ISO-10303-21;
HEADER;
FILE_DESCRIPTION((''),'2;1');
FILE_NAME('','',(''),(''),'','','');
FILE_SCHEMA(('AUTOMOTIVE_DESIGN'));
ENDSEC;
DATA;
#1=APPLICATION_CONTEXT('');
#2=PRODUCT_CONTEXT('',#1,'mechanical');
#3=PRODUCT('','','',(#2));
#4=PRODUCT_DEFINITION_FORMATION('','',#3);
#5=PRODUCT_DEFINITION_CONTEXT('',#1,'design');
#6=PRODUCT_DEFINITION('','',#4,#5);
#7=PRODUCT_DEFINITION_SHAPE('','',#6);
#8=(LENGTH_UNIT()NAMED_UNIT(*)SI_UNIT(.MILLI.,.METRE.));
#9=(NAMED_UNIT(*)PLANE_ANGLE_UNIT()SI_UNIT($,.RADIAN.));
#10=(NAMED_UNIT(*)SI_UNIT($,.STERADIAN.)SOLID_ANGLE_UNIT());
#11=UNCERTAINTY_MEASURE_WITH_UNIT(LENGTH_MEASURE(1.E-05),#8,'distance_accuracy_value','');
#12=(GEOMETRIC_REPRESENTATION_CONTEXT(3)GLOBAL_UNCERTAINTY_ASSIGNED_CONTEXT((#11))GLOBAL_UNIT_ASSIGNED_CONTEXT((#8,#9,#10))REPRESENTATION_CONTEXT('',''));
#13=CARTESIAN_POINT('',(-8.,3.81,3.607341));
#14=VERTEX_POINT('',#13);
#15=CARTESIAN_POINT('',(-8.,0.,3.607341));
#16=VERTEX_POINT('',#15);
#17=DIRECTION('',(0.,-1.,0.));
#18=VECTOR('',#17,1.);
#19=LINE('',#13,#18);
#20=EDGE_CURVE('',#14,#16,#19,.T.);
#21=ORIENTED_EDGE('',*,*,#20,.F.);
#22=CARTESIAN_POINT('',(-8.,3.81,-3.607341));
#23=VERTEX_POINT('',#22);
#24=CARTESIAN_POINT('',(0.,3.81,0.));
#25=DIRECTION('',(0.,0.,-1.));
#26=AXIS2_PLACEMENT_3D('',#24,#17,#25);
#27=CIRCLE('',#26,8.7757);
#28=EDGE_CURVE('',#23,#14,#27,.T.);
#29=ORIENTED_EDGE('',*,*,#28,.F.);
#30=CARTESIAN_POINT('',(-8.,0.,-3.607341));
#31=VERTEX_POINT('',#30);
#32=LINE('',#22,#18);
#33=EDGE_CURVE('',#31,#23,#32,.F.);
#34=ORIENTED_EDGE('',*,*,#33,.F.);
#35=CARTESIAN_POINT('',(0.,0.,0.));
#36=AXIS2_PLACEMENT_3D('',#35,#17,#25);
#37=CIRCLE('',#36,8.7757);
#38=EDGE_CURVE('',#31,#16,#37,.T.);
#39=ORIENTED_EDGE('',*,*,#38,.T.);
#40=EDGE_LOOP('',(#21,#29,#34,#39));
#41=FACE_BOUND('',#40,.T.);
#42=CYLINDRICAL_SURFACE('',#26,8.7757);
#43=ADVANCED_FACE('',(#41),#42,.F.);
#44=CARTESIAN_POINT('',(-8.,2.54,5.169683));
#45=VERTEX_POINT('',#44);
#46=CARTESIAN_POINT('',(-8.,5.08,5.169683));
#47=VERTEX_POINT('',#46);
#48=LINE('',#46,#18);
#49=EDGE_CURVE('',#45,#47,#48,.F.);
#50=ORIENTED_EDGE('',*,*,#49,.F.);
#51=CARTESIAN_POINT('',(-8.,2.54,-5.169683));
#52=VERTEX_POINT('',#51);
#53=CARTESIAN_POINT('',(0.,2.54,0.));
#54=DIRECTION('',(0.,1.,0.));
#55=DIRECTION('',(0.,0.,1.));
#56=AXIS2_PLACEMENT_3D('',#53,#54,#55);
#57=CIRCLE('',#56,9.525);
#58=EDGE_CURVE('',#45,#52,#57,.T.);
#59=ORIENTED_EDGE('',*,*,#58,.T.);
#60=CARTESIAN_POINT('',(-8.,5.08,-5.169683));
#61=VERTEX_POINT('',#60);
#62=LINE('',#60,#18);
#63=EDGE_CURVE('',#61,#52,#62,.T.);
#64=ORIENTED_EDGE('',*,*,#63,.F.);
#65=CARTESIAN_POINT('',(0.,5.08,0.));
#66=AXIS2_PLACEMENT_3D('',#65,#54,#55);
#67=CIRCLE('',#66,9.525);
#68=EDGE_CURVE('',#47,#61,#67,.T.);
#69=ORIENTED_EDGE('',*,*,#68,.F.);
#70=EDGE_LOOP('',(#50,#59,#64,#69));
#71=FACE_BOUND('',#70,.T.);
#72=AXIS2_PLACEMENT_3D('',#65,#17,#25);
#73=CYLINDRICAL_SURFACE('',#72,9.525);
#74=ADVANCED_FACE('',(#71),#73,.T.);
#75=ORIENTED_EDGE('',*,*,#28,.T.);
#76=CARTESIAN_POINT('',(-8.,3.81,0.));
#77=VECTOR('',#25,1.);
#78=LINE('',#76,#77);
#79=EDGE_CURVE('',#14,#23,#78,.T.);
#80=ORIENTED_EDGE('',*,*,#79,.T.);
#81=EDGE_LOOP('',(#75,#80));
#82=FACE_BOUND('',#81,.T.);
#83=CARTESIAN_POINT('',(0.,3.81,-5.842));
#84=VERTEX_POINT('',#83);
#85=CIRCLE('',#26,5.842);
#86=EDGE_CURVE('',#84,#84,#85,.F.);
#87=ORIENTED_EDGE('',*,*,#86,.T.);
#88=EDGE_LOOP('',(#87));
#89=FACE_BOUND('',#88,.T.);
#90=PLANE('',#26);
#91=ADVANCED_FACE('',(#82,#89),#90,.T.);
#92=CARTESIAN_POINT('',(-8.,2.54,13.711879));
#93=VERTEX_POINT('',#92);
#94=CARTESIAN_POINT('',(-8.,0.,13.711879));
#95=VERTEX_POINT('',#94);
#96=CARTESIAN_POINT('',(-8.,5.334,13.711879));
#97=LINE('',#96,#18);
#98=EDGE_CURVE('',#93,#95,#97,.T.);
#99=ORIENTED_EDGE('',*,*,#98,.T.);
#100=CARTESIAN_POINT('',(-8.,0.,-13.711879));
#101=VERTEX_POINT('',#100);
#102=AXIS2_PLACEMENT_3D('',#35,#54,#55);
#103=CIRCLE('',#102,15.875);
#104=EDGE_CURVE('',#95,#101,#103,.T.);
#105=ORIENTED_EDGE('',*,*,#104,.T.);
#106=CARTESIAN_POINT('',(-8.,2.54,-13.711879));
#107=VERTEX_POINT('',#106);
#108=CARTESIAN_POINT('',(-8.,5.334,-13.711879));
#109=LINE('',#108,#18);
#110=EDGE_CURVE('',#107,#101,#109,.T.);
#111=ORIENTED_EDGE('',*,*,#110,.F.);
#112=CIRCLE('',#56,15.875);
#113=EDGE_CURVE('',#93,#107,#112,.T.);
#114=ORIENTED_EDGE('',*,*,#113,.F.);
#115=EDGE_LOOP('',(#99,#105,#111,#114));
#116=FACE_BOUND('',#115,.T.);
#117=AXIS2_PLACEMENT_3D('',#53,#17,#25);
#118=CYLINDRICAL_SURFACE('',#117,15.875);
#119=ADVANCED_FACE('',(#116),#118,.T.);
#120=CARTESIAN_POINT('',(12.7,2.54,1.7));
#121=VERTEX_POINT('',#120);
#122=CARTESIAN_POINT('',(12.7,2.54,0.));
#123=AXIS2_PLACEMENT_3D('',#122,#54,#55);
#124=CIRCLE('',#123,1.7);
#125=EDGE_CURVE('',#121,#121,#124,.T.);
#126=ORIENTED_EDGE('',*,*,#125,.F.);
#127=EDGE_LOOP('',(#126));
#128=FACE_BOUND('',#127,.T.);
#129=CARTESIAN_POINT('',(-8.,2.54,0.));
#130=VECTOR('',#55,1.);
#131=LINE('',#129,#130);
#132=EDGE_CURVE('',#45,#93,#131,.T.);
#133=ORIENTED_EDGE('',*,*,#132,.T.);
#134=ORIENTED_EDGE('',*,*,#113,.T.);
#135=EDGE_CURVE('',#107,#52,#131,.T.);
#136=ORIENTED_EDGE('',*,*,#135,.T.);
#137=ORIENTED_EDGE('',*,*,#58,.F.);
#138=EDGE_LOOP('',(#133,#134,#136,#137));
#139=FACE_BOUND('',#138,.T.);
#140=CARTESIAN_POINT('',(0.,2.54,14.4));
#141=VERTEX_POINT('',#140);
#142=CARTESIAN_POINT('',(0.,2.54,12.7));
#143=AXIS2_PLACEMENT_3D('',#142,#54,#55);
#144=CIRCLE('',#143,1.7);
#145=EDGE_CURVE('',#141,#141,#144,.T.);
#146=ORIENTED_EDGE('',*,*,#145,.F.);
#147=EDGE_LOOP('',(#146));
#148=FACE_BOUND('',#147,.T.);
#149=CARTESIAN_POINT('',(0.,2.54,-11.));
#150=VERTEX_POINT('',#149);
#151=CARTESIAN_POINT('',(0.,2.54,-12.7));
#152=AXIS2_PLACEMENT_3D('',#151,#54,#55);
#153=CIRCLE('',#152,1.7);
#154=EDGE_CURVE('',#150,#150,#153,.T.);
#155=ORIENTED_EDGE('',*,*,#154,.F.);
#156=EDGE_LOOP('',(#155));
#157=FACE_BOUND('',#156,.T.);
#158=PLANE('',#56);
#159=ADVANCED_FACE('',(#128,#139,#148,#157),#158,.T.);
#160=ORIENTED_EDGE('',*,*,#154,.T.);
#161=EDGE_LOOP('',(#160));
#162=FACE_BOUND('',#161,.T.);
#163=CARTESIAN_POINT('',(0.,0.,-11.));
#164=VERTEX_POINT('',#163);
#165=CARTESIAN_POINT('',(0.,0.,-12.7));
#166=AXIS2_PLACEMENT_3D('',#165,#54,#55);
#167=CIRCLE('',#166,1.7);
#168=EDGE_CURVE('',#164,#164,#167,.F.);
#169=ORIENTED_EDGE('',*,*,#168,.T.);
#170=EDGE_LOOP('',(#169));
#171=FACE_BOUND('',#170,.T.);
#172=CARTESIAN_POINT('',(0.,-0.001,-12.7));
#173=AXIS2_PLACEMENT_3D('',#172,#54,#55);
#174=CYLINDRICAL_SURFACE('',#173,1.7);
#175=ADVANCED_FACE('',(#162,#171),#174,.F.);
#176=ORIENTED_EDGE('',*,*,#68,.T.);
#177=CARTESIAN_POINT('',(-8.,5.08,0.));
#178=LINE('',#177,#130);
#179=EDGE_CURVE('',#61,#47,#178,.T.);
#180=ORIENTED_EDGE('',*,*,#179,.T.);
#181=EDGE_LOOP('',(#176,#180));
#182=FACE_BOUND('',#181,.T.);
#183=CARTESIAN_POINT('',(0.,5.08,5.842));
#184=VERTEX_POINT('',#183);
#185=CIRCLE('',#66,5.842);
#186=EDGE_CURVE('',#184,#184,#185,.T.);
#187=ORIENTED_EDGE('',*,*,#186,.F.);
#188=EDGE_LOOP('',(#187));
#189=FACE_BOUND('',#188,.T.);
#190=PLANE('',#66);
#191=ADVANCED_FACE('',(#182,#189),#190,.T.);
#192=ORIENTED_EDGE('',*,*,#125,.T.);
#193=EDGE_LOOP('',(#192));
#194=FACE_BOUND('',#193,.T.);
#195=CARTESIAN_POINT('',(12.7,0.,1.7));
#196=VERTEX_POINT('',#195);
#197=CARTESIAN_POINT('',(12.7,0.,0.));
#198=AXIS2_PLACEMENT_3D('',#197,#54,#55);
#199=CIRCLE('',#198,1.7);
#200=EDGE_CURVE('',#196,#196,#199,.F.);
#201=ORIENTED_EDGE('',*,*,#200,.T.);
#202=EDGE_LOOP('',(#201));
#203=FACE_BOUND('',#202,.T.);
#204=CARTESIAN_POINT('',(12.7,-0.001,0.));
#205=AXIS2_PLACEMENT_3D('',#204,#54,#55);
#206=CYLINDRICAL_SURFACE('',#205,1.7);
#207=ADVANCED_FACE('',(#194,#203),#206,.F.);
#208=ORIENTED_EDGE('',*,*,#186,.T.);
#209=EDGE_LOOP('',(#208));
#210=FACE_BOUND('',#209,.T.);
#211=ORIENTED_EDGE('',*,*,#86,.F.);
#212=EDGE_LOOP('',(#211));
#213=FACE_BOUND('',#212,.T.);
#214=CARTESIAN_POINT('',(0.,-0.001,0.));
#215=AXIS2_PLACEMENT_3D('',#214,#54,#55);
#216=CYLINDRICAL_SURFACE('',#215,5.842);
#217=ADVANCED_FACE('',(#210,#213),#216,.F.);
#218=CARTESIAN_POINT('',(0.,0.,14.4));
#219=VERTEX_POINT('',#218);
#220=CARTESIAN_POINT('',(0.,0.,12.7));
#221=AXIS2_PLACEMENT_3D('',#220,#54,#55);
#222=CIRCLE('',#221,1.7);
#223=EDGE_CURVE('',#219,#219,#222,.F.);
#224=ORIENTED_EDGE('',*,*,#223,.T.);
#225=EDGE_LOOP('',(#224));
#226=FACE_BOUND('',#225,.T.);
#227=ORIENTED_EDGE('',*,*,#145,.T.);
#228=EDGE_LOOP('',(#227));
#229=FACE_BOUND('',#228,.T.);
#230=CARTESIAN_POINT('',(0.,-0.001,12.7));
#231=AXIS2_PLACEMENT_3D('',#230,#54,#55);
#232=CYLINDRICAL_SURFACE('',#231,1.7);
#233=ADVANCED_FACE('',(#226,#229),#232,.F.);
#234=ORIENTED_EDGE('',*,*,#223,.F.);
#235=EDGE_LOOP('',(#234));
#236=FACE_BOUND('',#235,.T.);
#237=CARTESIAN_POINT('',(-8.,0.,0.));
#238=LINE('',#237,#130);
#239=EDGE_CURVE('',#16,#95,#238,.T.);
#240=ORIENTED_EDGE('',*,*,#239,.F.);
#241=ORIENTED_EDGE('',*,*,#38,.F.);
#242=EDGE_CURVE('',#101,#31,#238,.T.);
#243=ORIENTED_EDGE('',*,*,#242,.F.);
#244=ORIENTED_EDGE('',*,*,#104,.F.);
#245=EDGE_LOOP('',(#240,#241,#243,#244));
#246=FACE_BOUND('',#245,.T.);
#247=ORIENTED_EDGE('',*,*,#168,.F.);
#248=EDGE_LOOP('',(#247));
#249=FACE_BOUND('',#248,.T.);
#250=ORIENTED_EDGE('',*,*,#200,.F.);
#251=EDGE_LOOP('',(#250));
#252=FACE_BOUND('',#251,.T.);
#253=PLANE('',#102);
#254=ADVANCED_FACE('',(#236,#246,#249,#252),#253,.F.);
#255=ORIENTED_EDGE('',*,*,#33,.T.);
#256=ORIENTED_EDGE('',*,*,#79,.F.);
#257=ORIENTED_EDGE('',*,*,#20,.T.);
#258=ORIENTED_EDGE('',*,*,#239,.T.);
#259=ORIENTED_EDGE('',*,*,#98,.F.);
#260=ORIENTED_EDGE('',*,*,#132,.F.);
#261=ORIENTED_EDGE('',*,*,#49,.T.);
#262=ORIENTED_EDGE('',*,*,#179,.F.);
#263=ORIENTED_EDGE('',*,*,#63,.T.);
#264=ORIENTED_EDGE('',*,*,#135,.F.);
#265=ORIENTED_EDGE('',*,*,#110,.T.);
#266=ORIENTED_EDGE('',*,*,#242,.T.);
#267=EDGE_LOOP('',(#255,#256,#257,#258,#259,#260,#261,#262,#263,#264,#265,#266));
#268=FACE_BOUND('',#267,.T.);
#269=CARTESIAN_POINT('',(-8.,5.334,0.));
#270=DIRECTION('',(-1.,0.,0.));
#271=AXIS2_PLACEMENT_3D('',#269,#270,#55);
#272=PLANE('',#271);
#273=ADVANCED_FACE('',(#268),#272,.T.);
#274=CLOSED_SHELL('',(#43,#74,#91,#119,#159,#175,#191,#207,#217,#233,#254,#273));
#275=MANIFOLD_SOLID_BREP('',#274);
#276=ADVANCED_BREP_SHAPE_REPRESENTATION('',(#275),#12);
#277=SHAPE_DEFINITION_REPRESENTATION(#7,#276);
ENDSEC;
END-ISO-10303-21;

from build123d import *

# Parameters (mm, degrees)
SKETCH1_R                      = 15.875
BOSS_EXTRUDE1_DEPTH            = 2.54
SKETCH2_R                      = 9.525
BOSS_EXTRUDE2_DEPTH            = 2.54
SKETCH3_R                      = 8.7757
CUT_EXTRUDE1_DEPTH             = 3.81
CUT_EXTRUDE2_REACH             = 25.018
SKETCH4_R                      = 5.842
CUT_EXTRUDE3_REACH             = 24.594
SKETCH5_R                      = 1.7
CUT_EXTRUDE5_REACH             = 24.594
CUT_EXTRUDE5_DIRECTION_2_DEPTH = 2.794


with BuildPart() as part:
    # Sketch1 → Boss-Extrude1 (new body)
    with BuildSketch(Plane(origin=(0, 0, 0), x_dir=(1, 0, 0), z_dir=(0, 1, 0))):
        with Locations(Location((0, 0, 0), (0, 0, 270))):
            Circle(SKETCH1_R)
    extrude(amount=BOSS_EXTRUDE1_DEPTH)

    # Sketch2 → Boss-Extrude2 (add)
    with BuildSketch(Plane(origin=(0, 2.54, 0), x_dir=(1, 0, 0), z_dir=(0, 1, 0))):
        with Locations(Location((0, 0, 0), (0, 0, 270))):
            Circle(SKETCH2_R)
    extrude(amount=BOSS_EXTRUDE2_DEPTH)

    # Sketch3 → Cut-Extrude1 (cut)
    with BuildSketch(Plane.XZ):
        with Locations(Location((0, 0, 0), (0, 0, 270))):
            Circle(SKETCH3_R)
    extrude(amount=-CUT_EXTRUDE1_DEPTH, mode=Mode.SUBTRACT)

    # Sketch4 → Cut-Extrude2 (cut, up to next)
    with BuildSketch(Plane(origin=(0, 5.08, 0), x_dir=(1, 0, 0), z_dir=(0, 1, 0)), mode=Mode.PRIVATE) as cut_extrude2_sk1:
        with Locations(Location((0, 0, 0), (0, 0, 270))):
            Circle(SKETCH4_R)
    cut_extrude2_tool1 = extrude(cut_extrude2_sk1.sketch, amount=-CUT_EXTRUDE2_REACH, mode=Mode.PRIVATE) & part.part
    add(cut_extrude2_tool1.solids().sort_by_distance((0, 5.08, 0))[0], mode=Mode.SUBTRACT)

    # Sketch5 → Cut-Extrude3 (cut, up to next)
    with BuildSketch(Plane(origin=(0, 2.54, 0), x_dir=(1, 0, 0), z_dir=(0, 1, 0)), mode=Mode.PRIVATE) as cut_extrude3_sk1:
        with Locations(Location((0, 12.7, 0), (0, 0, 270))):
            Circle(SKETCH5_R)
    cut_extrude3_tool1 = extrude(cut_extrude3_sk1.sketch, amount=-CUT_EXTRUDE3_REACH, mode=Mode.PRIVATE) & part.part
    # Sketch5 → Cut-Extrude3 (cut, up to next)
    with BuildSketch(Plane(origin=(0, 2.54, 0), x_dir=(1, 0, 0), z_dir=(0, 1, 0)), mode=Mode.PRIVATE) as cut_extrude3_sk2:
        with Locations(Location((12.7, 0, 0), (0, 0, 270))):
            Circle(SKETCH5_R)
    cut_extrude3_tool2 = extrude(cut_extrude3_sk2.sketch, amount=-CUT_EXTRUDE3_REACH, mode=Mode.PRIVATE) & part.part
    # Sketch5 → Cut-Extrude3 (cut, up to next)
    with BuildSketch(Plane(origin=(0, 2.54, 0), x_dir=(1, 0, 0), z_dir=(0, 1, 0)), mode=Mode.PRIVATE) as cut_extrude3_sk3:
        with Locations(Location((0, -12.7, 0), (0, 0, 270))):
            Circle(SKETCH5_R)
    cut_extrude3_tool3 = extrude(cut_extrude3_sk3.sketch, amount=-CUT_EXTRUDE3_REACH, mode=Mode.PRIVATE) & part.part
    # Sketch5 → Cut-Extrude3 (cut, up to next)
    with BuildSketch(Plane(origin=(0, 2.54, 0), x_dir=(1, 0, 0), z_dir=(0, 1, 0)), mode=Mode.PRIVATE) as cut_extrude3_sk4:
        with Locations(Location((-12.7, 0, 0), (0, 0, 270))):
            Circle(SKETCH5_R)
    cut_extrude3_tool4 = extrude(cut_extrude3_sk4.sketch, amount=-CUT_EXTRUDE3_REACH, mode=Mode.PRIVATE) & part.part
    add(cut_extrude3_tool1.solids().sort_by_distance((0, 2.54, -12.7))[0], mode=Mode.SUBTRACT)
    add(cut_extrude3_tool2.solids().sort_by_distance((12.7, 2.54, 0))[0], mode=Mode.SUBTRACT)
    add(cut_extrude3_tool3.solids().sort_by_distance((0, 2.54, 12.7))[0], mode=Mode.SUBTRACT)
    add(cut_extrude3_tool4.solids().sort_by_distance((-12.7, 2.54, 0))[0], mode=Mode.SUBTRACT)

    # Sketch6 → Cut-Extrude5 (cut, up to next)
    with BuildSketch(Plane(origin=(0, 2.54, 0), x_dir=(1, 0, 0), z_dir=(0, 1, 0)), mode=Mode.PRIVATE) as cut_extrude5_sk1:
        with BuildLine():
            Line((-8, -13.711878974), (-8, 13.711878974))
            ThreePointArc((-8, 13.711878974), (-15.875, 0), (-8, -13.711878974))
        make_face()
    cut_extrude5_tool1 = extrude(cut_extrude5_sk1.sketch, amount=-CUT_EXTRUDE5_REACH, mode=Mode.PRIVATE) & part.part
    add(cut_extrude5_tool1.solids().sort_by_distance((-11.228338, 2.54, 0))[0], mode=Mode.SUBTRACT)

    # Sketch6 → Cut-Extrude5 direction 2 (cut)
    with BuildSketch(Plane(origin=(0, 2.54, 0), x_dir=(1, 0, 0), z_dir=(0, 1, 0))):
        with BuildLine():
            Line((-8, -13.711878974), (-8, 13.711878974))
            ThreePointArc((-8, 13.711878974), (-15.875, 0), (-8, -13.711878974))
        make_face()
    extrude(amount=CUT_EXTRUDE5_DIRECTION_2_DEPTH, mode=Mode.SUBTRACT)


solid = part.part
